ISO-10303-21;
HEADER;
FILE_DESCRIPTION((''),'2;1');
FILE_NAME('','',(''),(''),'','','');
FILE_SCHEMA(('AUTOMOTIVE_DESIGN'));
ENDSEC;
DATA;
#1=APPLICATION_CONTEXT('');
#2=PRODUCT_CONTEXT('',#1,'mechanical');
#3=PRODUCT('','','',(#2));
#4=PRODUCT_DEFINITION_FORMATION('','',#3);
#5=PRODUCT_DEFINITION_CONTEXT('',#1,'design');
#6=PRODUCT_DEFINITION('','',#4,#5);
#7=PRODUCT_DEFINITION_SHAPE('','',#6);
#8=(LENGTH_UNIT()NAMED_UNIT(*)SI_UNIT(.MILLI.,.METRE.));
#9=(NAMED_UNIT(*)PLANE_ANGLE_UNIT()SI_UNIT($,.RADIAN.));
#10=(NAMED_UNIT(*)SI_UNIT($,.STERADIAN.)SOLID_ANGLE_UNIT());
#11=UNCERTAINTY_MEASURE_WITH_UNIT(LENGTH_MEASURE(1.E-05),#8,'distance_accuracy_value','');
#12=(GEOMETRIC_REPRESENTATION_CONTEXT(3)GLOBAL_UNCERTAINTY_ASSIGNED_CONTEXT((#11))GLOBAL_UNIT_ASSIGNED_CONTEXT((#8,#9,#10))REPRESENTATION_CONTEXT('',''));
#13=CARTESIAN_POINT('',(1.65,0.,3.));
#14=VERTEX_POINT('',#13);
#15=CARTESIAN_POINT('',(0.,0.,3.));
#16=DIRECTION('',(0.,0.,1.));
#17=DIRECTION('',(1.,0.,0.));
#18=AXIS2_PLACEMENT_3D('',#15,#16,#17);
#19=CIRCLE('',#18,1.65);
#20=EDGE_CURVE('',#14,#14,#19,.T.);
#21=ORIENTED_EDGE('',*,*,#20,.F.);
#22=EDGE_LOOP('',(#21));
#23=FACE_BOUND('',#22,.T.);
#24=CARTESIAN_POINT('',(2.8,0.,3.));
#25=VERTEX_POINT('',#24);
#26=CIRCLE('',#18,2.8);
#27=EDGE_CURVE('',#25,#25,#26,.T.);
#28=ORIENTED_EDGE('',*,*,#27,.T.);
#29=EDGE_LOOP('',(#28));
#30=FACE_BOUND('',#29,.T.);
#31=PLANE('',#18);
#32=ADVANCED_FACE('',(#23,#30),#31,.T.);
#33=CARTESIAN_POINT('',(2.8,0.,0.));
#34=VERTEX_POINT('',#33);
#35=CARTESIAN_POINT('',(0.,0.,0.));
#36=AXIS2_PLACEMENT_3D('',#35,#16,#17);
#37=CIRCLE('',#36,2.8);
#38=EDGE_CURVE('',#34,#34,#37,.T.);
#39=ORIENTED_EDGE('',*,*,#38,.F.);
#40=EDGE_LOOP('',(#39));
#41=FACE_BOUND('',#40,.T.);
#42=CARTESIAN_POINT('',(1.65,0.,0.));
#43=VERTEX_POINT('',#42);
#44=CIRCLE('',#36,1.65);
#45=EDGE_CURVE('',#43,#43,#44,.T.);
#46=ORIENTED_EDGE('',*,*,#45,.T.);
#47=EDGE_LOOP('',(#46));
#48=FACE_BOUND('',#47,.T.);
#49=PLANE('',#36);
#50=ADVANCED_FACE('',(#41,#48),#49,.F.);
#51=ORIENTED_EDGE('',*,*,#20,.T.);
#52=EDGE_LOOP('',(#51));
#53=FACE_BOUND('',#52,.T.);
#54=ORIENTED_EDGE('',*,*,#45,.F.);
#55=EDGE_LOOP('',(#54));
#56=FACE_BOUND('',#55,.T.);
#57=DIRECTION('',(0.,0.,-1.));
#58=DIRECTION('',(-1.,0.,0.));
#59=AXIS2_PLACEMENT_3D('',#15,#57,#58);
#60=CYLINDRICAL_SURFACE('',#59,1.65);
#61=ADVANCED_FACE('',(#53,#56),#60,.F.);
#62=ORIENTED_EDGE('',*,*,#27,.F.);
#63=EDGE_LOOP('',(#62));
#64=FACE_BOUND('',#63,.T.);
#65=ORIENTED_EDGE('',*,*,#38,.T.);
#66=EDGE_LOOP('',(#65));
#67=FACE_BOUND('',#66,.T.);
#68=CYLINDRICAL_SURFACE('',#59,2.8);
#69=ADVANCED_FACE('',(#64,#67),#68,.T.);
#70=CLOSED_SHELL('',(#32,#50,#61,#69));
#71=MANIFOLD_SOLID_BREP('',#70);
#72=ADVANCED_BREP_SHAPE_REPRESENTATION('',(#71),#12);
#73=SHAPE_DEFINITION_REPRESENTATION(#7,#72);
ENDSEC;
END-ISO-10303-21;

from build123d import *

# Parameters (mm, degrees)
SKETCH_1_R      = 2.8
SKETCH_1_R_2    = 1.65
EXTRUDE_1_DEPTH = 3


with BuildPart() as part:
    # 草图1 → 凸台-拉伸1 (new body)
    with BuildSketch(Plane.XY):
        Circle(SKETCH_1_R)
        Circle(SKETCH_1_R_2, mode=Mode.SUBTRACT)
    extrude(amount=EXTRUDE_1_DEPTH)


solid = part.part
